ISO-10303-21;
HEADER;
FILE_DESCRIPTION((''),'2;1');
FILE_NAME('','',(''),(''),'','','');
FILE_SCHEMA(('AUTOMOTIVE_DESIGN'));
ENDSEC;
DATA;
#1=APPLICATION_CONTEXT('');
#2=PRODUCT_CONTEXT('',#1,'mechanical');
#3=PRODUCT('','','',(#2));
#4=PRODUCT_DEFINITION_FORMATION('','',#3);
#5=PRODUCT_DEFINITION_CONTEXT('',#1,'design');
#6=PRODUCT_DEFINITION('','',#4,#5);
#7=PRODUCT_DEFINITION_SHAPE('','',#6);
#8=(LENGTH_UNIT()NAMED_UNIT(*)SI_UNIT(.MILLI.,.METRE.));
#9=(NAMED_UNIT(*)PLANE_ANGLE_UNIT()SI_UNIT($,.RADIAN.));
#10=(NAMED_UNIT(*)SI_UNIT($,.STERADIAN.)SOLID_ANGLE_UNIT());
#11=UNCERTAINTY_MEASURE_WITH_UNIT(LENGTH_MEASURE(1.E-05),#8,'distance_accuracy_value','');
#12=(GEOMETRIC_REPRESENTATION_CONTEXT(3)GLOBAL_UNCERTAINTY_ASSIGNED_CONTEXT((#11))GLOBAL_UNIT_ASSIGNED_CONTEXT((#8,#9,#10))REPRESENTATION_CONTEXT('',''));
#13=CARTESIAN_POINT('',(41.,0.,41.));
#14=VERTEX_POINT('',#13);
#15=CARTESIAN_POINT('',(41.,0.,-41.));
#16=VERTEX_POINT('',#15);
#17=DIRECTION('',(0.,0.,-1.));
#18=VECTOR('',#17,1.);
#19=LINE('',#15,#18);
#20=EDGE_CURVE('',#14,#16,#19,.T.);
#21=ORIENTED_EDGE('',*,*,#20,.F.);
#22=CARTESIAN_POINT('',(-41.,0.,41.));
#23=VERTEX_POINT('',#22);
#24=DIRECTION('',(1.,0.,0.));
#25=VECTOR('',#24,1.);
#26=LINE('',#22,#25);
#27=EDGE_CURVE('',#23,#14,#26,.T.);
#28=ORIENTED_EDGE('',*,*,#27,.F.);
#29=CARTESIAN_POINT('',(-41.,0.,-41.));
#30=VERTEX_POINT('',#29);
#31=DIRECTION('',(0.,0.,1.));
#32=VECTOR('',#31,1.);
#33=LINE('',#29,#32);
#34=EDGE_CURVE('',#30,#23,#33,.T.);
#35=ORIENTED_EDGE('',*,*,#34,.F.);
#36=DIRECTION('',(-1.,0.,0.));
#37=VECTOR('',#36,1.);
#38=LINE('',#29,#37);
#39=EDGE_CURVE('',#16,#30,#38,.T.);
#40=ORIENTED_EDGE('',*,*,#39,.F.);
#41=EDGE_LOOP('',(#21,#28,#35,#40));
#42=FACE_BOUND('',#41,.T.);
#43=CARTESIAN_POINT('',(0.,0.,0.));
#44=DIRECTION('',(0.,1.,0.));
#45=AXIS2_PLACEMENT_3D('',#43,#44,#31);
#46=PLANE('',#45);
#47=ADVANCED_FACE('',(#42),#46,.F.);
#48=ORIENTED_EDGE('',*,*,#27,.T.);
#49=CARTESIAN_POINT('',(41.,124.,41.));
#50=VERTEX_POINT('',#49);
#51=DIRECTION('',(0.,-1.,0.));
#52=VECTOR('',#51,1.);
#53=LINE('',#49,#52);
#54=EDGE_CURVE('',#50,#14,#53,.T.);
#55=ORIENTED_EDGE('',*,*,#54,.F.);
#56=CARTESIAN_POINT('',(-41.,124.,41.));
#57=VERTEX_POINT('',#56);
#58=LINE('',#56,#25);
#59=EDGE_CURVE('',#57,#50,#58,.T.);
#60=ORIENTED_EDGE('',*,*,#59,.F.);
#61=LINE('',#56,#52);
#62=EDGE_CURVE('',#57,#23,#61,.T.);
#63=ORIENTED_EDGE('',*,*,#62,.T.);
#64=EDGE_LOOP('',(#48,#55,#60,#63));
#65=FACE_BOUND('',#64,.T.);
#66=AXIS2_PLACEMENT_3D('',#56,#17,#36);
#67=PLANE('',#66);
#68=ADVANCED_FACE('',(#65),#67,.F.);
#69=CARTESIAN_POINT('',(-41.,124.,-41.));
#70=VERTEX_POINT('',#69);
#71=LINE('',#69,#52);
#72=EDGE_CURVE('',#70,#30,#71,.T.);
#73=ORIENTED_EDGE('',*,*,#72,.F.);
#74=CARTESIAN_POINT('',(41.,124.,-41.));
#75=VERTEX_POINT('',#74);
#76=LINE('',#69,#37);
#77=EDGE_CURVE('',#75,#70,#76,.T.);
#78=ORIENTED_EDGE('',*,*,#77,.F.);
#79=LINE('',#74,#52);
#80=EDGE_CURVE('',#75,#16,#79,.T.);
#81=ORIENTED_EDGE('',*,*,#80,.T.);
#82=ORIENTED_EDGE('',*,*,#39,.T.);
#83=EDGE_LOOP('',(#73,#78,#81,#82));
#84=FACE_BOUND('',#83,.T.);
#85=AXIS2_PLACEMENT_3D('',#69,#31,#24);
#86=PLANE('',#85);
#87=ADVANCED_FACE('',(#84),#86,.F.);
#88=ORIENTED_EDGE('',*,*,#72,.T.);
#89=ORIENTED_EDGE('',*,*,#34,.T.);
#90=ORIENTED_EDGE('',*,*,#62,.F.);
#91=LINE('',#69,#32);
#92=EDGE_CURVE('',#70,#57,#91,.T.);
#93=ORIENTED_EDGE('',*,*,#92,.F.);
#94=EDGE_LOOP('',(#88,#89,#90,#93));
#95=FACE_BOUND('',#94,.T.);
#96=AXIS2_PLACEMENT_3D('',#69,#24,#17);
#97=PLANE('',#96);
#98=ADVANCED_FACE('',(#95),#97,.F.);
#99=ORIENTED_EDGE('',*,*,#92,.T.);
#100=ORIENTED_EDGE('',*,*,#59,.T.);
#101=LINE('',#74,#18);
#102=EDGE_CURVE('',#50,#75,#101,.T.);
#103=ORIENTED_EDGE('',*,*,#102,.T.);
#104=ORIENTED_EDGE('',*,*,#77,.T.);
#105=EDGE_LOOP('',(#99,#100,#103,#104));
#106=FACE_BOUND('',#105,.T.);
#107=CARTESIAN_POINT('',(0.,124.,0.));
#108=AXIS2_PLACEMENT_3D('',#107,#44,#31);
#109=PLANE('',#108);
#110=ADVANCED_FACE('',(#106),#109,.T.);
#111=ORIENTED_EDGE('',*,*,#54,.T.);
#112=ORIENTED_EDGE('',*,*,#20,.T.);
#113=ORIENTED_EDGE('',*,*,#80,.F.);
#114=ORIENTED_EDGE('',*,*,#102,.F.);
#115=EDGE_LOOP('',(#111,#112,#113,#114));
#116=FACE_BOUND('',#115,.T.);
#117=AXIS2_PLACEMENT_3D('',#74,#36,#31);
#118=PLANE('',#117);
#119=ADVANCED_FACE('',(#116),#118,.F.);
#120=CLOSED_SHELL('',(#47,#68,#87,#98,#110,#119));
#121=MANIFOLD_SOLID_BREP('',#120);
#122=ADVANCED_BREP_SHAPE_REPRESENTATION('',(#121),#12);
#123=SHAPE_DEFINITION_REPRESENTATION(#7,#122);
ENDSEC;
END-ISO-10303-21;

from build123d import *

# Parameters (mm, degrees)
SKETCH_1_W      = 82
SKETCH_1_H      = 82
EXTRUDE_1_DEPTH = 124


with BuildPart() as part:
    # 스케치1 → 보스-돌출1 (new body)
    with BuildSketch(Plane(origin=(0, 0, 0), x_dir=(1, 0, 0), z_dir=(0, 1, 0))):
        Rectangle(SKETCH_1_W, SKETCH_1_H)
    extrude(amount=EXTRUDE_1_DEPTH)


solid = part.part
